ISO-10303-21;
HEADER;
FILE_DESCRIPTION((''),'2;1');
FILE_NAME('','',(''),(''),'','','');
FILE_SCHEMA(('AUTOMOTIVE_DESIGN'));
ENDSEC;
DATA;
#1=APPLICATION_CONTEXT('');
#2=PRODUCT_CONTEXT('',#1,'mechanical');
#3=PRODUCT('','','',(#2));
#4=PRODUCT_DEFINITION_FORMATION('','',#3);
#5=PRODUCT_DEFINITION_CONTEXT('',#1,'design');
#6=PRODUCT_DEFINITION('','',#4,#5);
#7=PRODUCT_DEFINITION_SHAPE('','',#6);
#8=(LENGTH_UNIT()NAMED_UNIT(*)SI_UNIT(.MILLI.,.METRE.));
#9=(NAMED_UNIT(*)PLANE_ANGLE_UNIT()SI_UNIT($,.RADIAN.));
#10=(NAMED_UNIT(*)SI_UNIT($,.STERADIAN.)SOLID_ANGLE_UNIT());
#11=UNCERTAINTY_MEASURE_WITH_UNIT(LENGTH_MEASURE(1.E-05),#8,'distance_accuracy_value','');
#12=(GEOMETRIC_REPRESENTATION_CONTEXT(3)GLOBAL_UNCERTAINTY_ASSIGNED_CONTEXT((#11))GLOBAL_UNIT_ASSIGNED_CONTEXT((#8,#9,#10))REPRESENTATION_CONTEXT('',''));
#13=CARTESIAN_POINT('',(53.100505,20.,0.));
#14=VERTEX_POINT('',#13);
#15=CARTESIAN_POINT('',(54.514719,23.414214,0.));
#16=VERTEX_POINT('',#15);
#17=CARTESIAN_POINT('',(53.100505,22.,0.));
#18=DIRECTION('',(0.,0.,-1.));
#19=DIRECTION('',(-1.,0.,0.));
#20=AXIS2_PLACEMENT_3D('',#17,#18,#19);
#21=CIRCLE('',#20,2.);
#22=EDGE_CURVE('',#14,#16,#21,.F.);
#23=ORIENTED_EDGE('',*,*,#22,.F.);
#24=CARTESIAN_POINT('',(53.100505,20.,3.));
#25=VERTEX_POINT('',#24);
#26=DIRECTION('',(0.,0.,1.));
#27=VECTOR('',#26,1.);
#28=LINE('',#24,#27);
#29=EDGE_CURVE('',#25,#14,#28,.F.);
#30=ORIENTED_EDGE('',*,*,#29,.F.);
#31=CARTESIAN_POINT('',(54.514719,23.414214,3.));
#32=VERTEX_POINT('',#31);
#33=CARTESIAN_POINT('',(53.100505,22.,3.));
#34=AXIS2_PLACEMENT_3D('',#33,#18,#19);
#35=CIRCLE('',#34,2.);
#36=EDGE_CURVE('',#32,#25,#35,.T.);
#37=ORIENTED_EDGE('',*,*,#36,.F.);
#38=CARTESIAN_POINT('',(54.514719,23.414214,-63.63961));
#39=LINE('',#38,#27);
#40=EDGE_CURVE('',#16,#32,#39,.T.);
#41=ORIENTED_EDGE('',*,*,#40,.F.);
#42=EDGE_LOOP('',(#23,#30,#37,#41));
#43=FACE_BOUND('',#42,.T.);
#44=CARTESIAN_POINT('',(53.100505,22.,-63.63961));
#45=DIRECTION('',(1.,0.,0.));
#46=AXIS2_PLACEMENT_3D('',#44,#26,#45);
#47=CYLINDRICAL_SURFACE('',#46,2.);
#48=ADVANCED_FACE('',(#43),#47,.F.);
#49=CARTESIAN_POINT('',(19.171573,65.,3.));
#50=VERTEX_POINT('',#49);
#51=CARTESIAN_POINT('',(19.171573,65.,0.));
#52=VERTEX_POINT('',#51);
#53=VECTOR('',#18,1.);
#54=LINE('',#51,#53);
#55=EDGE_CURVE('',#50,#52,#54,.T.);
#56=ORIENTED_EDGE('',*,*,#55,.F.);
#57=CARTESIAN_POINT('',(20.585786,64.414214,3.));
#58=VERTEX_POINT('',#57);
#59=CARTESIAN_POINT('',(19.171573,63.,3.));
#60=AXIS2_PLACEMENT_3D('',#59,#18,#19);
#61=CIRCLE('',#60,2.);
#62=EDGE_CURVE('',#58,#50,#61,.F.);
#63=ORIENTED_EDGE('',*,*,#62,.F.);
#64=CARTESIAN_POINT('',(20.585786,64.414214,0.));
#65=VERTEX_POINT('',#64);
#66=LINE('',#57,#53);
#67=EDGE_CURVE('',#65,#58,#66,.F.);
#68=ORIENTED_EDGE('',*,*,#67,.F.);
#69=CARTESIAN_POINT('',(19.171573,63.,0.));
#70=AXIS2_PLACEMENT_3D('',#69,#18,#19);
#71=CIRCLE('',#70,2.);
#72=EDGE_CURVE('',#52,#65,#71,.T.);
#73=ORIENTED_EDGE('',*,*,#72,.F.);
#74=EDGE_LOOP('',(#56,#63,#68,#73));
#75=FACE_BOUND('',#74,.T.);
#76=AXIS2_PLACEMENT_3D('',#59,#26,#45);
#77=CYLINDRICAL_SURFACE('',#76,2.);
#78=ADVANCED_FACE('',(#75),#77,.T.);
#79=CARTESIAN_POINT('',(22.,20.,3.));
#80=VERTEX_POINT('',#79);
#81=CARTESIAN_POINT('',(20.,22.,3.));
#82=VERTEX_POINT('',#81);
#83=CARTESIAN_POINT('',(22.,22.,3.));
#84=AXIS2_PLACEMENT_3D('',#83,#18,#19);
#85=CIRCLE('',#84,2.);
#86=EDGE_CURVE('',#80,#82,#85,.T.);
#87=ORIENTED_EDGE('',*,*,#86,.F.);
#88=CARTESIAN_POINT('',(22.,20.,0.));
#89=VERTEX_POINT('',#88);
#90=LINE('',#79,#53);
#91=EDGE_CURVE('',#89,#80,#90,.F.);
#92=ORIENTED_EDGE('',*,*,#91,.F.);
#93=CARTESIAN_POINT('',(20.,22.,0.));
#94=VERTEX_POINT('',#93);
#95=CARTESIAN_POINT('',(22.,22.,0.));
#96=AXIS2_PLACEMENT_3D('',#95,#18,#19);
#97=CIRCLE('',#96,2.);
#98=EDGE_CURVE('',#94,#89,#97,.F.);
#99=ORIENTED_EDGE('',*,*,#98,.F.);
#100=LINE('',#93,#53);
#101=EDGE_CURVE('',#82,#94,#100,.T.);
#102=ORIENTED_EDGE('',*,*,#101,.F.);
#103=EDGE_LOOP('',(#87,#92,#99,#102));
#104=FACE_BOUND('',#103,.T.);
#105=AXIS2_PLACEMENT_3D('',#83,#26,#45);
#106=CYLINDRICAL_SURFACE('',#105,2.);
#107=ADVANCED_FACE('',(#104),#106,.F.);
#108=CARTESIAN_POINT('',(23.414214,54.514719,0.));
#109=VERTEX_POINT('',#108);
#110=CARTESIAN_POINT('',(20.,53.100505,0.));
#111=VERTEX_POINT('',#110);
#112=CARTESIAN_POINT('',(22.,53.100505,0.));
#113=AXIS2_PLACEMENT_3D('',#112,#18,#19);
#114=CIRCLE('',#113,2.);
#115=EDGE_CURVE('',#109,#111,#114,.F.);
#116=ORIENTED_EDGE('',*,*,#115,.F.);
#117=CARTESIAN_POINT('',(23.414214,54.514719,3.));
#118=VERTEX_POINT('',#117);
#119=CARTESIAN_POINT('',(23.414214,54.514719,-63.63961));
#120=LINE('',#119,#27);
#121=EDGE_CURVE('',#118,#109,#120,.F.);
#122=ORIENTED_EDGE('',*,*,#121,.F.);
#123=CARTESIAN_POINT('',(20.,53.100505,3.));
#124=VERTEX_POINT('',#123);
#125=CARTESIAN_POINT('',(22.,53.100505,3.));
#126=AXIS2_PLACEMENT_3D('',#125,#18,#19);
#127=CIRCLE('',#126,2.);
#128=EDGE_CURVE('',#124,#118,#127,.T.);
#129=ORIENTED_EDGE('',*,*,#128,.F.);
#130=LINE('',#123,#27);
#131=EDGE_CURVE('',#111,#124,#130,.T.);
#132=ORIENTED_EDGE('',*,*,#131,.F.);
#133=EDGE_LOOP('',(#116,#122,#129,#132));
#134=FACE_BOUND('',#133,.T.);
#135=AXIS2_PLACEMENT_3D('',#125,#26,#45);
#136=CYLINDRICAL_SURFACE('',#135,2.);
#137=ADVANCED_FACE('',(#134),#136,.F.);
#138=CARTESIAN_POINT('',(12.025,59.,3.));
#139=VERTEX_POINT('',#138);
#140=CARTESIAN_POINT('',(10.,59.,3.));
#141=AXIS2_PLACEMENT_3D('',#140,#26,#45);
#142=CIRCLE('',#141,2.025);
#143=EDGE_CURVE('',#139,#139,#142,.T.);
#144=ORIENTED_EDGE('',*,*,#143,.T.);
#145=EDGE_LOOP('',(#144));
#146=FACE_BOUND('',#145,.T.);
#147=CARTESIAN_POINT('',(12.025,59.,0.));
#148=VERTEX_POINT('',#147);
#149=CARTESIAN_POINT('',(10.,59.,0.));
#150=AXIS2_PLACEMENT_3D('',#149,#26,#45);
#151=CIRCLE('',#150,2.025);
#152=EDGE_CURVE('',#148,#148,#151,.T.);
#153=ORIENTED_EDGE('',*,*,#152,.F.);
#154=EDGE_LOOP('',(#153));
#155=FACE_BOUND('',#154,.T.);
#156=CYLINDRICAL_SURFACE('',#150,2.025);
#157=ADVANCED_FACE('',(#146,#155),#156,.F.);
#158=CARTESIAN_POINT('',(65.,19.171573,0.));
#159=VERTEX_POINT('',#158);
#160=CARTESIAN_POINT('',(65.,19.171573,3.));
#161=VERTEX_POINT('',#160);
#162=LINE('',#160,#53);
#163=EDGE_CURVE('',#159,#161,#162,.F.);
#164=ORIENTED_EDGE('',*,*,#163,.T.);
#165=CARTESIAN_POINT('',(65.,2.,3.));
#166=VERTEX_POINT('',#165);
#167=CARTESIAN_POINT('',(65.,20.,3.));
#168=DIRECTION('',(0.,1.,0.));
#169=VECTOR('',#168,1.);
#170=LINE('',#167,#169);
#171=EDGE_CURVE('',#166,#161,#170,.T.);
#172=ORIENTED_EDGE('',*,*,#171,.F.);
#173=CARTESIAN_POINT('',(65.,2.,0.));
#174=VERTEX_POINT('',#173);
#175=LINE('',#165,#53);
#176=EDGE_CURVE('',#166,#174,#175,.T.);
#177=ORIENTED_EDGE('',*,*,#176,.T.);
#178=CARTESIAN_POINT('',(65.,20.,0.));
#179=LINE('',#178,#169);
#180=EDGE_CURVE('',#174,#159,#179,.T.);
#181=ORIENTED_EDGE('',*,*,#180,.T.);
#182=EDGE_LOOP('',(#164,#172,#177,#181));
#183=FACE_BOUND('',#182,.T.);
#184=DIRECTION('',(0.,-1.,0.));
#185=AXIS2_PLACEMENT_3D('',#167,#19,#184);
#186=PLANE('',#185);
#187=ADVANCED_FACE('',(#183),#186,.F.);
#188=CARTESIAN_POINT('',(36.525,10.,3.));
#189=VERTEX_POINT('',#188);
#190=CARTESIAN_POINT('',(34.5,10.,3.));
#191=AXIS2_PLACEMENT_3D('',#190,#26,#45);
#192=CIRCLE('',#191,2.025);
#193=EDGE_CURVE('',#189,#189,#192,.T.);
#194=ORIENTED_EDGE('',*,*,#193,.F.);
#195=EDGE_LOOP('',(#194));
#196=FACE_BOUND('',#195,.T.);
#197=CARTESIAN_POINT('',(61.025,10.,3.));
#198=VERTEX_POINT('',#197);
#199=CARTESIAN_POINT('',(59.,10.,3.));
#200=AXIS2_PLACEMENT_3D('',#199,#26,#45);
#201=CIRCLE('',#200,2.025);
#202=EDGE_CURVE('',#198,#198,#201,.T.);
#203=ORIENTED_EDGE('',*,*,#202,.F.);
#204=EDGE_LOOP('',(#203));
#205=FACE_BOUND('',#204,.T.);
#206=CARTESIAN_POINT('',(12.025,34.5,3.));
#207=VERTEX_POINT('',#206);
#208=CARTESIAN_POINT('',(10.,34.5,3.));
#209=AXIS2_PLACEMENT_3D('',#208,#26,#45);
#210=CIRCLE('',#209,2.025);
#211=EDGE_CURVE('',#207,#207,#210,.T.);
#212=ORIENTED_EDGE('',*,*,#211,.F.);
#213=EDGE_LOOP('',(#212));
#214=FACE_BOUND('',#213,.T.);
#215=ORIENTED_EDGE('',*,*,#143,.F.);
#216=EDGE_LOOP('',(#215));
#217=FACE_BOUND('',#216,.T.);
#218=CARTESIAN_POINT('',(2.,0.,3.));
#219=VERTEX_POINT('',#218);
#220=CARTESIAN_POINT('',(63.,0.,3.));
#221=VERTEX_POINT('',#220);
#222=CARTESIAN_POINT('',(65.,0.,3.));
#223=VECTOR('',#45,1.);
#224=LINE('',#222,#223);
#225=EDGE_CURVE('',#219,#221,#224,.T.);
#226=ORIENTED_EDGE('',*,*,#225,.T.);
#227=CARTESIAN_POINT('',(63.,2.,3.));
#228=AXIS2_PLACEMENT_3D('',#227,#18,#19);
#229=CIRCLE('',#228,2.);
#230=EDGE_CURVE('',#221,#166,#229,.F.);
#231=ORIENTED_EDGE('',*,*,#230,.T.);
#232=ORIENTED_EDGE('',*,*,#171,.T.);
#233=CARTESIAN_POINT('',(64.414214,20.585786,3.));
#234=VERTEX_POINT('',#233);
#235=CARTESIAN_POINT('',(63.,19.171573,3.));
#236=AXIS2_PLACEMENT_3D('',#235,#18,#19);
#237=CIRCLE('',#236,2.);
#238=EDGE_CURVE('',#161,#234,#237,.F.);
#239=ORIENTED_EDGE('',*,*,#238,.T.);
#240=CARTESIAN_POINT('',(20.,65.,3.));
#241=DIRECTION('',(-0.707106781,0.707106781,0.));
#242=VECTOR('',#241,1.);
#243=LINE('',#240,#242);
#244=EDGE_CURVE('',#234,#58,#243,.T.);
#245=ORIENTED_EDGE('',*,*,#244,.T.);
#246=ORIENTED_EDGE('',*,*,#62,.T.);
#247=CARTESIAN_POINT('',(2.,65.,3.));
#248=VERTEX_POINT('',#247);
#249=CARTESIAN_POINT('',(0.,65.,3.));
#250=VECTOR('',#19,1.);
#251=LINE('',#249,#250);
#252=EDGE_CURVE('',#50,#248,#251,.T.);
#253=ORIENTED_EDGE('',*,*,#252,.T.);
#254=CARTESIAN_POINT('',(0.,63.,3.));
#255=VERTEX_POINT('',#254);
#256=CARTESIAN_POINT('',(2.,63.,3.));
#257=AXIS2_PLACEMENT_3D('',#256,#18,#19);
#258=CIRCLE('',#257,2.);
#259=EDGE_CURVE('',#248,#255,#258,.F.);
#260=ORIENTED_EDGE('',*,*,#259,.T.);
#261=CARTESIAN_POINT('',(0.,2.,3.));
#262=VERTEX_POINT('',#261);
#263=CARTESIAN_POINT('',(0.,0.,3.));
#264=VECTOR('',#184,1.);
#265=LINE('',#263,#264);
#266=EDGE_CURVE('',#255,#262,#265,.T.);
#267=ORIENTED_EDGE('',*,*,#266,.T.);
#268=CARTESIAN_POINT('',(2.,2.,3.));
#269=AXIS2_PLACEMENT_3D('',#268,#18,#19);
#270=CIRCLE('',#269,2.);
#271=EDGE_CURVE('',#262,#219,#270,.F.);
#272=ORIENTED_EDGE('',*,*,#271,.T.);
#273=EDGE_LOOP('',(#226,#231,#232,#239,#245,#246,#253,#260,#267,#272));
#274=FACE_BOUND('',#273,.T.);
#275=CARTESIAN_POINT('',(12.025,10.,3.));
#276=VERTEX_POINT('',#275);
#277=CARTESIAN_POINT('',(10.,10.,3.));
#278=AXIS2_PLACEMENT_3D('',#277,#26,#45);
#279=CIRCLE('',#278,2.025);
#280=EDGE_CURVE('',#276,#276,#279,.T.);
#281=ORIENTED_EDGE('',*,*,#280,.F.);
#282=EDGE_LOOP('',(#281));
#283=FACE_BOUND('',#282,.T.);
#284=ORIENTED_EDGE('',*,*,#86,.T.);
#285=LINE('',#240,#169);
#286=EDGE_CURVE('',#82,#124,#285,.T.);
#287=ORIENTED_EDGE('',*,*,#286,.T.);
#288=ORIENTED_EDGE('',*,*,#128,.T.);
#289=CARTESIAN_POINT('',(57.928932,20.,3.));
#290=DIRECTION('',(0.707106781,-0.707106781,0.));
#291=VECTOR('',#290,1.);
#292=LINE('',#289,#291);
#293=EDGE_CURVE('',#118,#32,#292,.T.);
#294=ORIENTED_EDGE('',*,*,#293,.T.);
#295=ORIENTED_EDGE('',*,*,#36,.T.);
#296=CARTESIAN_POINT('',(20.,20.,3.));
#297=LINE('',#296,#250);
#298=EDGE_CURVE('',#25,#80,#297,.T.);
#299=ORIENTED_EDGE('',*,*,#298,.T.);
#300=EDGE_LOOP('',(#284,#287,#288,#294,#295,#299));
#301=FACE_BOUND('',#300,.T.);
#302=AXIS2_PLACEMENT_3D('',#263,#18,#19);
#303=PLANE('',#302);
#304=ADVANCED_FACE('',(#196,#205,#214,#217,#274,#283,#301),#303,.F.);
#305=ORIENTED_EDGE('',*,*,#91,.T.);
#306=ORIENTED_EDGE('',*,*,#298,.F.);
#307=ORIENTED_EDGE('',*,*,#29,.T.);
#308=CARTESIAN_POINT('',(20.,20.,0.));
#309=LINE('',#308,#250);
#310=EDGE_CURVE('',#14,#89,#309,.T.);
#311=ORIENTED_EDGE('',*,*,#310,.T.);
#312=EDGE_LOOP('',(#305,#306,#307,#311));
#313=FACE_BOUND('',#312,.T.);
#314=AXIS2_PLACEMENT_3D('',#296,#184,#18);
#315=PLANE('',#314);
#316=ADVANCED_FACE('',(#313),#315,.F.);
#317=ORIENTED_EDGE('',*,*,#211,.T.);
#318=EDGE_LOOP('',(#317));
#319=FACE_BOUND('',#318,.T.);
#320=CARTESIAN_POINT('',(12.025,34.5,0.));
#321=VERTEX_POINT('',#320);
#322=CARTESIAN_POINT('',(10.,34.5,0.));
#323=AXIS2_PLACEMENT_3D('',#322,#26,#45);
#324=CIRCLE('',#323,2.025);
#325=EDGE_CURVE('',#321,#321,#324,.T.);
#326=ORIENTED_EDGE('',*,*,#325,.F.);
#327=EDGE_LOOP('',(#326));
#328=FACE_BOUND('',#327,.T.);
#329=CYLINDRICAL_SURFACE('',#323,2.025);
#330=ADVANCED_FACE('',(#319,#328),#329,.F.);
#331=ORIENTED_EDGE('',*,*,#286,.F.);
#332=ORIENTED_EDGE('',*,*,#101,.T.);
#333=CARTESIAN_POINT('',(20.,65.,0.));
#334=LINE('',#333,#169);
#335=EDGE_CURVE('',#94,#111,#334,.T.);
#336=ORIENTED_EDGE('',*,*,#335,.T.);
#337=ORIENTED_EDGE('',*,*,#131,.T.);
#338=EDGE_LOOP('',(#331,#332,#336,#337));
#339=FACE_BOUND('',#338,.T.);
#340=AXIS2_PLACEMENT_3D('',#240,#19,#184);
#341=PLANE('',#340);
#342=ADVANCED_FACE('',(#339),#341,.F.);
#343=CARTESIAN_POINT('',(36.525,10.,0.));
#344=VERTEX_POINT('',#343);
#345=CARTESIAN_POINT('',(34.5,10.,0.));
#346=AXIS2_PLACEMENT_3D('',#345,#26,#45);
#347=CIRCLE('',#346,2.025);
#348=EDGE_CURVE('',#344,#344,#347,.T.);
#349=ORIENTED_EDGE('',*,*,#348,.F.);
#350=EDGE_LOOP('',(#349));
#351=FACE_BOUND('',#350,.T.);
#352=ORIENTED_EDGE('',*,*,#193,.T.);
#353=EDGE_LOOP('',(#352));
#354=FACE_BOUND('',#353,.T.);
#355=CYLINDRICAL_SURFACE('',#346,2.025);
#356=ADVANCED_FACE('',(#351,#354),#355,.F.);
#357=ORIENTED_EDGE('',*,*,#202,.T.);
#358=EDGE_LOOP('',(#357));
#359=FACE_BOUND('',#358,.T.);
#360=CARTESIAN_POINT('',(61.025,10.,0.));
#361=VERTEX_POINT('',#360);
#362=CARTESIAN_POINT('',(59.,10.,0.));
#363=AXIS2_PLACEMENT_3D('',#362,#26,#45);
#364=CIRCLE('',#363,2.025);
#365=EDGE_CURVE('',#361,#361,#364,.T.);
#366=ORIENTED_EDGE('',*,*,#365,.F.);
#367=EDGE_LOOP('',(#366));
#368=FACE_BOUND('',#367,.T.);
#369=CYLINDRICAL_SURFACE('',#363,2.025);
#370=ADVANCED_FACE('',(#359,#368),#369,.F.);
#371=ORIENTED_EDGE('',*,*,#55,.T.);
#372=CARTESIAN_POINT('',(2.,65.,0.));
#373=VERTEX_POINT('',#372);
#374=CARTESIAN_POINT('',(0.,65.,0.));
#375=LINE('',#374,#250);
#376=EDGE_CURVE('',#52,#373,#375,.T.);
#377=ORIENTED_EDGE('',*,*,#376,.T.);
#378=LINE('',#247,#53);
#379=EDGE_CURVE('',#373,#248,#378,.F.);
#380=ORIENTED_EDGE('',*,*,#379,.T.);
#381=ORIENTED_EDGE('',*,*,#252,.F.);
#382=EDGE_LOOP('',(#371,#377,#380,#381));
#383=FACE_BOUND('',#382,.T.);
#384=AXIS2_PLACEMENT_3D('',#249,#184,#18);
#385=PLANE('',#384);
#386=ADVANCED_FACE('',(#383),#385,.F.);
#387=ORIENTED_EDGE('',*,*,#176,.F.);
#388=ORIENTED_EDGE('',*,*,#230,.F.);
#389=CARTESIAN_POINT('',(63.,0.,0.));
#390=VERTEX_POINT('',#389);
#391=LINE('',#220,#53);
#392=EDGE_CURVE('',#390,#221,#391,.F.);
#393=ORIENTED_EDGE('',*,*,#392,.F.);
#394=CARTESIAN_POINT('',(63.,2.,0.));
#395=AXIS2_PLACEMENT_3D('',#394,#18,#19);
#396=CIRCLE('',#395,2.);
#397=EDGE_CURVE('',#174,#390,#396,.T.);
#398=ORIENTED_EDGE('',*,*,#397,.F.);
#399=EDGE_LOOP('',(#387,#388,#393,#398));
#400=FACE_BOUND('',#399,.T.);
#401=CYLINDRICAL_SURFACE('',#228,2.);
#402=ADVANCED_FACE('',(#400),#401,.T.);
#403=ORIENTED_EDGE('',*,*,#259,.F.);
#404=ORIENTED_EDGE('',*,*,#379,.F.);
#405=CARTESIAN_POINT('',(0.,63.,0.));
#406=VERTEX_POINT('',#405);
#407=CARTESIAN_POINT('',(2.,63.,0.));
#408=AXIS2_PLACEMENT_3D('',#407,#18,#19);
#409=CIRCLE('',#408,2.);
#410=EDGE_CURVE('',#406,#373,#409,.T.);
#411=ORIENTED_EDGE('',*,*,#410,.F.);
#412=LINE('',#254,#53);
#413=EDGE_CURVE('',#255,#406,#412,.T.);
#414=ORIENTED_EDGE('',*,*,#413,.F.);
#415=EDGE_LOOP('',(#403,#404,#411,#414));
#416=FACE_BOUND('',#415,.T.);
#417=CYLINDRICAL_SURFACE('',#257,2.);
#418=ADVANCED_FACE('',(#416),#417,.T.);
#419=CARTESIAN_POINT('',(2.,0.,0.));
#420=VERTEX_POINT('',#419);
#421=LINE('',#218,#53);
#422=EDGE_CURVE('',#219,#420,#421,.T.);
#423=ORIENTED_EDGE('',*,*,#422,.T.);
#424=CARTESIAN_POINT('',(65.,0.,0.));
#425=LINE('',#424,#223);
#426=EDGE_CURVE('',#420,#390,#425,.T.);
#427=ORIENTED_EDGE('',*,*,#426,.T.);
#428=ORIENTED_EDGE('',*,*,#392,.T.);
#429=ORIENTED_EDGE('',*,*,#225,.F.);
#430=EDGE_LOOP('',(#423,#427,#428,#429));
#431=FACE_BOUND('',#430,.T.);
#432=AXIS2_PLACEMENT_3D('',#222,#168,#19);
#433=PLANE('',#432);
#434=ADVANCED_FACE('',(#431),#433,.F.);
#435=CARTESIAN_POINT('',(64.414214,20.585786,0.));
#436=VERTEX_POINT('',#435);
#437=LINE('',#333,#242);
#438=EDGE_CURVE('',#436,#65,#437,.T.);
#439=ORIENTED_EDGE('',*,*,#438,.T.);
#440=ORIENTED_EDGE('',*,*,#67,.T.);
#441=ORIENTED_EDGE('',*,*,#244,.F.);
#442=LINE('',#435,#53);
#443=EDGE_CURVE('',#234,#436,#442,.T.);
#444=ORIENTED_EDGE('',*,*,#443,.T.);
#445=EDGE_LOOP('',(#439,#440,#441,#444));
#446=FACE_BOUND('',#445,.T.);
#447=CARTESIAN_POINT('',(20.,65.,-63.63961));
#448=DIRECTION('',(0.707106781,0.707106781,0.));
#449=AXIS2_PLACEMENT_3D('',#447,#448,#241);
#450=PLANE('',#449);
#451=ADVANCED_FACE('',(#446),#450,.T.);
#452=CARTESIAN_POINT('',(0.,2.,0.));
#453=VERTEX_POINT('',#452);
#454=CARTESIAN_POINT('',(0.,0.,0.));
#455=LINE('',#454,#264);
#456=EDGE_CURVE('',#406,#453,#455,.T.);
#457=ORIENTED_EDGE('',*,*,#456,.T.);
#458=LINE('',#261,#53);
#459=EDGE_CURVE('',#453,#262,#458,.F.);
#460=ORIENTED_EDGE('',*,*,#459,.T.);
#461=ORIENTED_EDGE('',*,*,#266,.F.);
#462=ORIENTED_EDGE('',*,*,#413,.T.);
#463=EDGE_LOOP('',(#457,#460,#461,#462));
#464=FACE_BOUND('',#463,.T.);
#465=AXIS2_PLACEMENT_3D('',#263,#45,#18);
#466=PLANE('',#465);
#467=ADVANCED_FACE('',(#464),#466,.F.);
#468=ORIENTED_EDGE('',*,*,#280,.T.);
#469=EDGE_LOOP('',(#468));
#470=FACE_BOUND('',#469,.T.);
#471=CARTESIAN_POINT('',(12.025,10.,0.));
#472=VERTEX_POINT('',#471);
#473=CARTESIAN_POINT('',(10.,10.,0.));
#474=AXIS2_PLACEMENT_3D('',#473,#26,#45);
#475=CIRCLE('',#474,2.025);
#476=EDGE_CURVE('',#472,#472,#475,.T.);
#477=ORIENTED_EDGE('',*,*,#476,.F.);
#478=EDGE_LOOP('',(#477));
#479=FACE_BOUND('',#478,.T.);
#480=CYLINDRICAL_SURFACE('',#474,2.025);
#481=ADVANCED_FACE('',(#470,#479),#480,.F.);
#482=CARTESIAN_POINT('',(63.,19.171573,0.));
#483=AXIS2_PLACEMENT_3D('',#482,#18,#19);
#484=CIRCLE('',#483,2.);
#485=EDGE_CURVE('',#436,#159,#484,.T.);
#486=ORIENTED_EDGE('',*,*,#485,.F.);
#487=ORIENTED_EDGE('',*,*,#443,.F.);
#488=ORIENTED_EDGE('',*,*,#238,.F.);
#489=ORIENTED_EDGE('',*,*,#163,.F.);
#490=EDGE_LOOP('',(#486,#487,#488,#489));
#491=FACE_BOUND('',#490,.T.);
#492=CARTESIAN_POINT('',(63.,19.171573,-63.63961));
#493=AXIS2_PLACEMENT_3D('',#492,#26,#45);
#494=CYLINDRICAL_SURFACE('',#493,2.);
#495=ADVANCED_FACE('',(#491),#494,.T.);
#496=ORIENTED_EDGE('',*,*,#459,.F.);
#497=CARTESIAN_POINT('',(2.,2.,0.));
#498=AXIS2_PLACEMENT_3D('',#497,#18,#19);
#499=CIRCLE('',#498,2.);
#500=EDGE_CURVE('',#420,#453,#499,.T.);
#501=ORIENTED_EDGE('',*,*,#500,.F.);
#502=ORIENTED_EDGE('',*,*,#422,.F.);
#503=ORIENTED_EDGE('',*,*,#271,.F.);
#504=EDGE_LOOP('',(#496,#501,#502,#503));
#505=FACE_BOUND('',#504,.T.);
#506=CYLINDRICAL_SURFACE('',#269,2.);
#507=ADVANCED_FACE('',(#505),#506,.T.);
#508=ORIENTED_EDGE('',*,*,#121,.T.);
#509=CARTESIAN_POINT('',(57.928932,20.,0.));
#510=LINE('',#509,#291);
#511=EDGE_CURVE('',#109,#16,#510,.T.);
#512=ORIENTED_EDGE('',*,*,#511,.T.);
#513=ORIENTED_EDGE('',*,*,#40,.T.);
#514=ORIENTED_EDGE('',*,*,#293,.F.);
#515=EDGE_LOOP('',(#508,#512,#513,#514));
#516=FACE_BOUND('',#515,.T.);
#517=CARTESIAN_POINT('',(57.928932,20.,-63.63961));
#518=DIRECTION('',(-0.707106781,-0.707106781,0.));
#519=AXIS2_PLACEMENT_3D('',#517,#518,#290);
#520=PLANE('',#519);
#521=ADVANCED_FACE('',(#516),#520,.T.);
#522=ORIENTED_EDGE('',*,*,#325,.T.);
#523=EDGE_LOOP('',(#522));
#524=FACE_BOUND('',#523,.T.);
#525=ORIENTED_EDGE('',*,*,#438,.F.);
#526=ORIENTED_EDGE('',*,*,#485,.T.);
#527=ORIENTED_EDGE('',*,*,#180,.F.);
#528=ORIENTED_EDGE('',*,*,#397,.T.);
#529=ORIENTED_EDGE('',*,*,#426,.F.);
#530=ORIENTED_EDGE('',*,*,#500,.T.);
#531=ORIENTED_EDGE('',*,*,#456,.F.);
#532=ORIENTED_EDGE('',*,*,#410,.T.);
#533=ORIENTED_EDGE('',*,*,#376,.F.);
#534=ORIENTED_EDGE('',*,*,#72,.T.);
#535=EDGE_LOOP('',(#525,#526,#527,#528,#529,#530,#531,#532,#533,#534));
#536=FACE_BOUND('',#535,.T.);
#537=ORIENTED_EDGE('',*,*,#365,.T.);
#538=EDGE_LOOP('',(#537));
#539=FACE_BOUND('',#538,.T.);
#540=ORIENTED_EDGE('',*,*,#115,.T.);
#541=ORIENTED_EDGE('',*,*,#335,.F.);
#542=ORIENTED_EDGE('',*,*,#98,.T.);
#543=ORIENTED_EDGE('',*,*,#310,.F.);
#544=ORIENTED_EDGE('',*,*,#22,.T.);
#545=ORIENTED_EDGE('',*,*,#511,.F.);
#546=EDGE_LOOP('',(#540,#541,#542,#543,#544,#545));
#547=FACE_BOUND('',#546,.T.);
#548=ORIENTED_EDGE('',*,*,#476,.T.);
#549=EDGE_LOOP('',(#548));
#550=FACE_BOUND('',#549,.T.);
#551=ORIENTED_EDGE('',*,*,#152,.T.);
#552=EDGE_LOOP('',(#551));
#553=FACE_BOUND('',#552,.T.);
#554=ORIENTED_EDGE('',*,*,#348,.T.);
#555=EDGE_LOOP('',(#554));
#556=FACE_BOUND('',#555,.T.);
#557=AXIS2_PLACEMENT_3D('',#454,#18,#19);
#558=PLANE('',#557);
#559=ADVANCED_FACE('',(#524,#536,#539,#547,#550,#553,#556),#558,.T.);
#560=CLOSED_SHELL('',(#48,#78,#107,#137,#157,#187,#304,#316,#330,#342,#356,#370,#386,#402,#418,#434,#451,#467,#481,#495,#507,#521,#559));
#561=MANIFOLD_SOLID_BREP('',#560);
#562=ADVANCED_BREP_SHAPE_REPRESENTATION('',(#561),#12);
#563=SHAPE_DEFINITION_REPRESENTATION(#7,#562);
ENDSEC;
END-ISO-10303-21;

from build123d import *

# Parameters (mm, degrees)
EXTRUDE_1_DEPTH     = 3
SKETCH_2_R          = 2.025
CUT_EXTRUDE_1_DEPTH = 3
EXTRUDE_2_DEPTH     = 3
FILLET_1_R          = 2


with BuildPart() as part:
    # 草图1 → 凸台-拉伸1 (new body)
    with BuildSketch(Plane.XY):
        Polygon((0, 0), (0, 65), (20, 65), (20, 20), (65, 20), (65, 0), align=None)
    extrude(amount=EXTRUDE_1_DEPTH)

    # 草图2 → 切除-拉伸1 (cut)
    with BuildSketch(Plane.XY.offset(3)):
        with Locations((10, 59)):
            Circle(SKETCH_2_R)
        with Locations((10, 34.5)):
            Circle(SKETCH_2_R)
        with Locations((10, 10)):
            Circle(SKETCH_2_R)
        with Locations((34.5, 10)):
            Circle(SKETCH_2_R)
        with Locations((59, 10)):
            Circle(SKETCH_2_R)
    extrude(amount=-CUT_EXTRUDE_1_DEPTH, mode=Mode.SUBTRACT)

    # 草图3 → 凸台-拉伸2 (add)
    with BuildSketch(Plane.XY.offset(3)):
        Polygon((20, 65), (65, 20), (57.928932188, 20), (20, 57.928932188), align=None)
    extrude(amount=-EXTRUDE_2_DEPTH)

    # 圆角1
    fillet_1_edges = [part.edges().sort_by_distance(p)[0] for p in [
        (0, 0, 1.5),
        (0, 65, 1.5),
        (20, 65, 1.5),
        (20, 20, 1.5),
        (65, 20, 1.5),
        (65, 0, 1.5),
        (57.928932188, 20, 1.5),
        (20, 57.928932188, 1.5),
    ]]
    fillet(fillet_1_edges, radius=FILLET_1_R)


solid = part.part
